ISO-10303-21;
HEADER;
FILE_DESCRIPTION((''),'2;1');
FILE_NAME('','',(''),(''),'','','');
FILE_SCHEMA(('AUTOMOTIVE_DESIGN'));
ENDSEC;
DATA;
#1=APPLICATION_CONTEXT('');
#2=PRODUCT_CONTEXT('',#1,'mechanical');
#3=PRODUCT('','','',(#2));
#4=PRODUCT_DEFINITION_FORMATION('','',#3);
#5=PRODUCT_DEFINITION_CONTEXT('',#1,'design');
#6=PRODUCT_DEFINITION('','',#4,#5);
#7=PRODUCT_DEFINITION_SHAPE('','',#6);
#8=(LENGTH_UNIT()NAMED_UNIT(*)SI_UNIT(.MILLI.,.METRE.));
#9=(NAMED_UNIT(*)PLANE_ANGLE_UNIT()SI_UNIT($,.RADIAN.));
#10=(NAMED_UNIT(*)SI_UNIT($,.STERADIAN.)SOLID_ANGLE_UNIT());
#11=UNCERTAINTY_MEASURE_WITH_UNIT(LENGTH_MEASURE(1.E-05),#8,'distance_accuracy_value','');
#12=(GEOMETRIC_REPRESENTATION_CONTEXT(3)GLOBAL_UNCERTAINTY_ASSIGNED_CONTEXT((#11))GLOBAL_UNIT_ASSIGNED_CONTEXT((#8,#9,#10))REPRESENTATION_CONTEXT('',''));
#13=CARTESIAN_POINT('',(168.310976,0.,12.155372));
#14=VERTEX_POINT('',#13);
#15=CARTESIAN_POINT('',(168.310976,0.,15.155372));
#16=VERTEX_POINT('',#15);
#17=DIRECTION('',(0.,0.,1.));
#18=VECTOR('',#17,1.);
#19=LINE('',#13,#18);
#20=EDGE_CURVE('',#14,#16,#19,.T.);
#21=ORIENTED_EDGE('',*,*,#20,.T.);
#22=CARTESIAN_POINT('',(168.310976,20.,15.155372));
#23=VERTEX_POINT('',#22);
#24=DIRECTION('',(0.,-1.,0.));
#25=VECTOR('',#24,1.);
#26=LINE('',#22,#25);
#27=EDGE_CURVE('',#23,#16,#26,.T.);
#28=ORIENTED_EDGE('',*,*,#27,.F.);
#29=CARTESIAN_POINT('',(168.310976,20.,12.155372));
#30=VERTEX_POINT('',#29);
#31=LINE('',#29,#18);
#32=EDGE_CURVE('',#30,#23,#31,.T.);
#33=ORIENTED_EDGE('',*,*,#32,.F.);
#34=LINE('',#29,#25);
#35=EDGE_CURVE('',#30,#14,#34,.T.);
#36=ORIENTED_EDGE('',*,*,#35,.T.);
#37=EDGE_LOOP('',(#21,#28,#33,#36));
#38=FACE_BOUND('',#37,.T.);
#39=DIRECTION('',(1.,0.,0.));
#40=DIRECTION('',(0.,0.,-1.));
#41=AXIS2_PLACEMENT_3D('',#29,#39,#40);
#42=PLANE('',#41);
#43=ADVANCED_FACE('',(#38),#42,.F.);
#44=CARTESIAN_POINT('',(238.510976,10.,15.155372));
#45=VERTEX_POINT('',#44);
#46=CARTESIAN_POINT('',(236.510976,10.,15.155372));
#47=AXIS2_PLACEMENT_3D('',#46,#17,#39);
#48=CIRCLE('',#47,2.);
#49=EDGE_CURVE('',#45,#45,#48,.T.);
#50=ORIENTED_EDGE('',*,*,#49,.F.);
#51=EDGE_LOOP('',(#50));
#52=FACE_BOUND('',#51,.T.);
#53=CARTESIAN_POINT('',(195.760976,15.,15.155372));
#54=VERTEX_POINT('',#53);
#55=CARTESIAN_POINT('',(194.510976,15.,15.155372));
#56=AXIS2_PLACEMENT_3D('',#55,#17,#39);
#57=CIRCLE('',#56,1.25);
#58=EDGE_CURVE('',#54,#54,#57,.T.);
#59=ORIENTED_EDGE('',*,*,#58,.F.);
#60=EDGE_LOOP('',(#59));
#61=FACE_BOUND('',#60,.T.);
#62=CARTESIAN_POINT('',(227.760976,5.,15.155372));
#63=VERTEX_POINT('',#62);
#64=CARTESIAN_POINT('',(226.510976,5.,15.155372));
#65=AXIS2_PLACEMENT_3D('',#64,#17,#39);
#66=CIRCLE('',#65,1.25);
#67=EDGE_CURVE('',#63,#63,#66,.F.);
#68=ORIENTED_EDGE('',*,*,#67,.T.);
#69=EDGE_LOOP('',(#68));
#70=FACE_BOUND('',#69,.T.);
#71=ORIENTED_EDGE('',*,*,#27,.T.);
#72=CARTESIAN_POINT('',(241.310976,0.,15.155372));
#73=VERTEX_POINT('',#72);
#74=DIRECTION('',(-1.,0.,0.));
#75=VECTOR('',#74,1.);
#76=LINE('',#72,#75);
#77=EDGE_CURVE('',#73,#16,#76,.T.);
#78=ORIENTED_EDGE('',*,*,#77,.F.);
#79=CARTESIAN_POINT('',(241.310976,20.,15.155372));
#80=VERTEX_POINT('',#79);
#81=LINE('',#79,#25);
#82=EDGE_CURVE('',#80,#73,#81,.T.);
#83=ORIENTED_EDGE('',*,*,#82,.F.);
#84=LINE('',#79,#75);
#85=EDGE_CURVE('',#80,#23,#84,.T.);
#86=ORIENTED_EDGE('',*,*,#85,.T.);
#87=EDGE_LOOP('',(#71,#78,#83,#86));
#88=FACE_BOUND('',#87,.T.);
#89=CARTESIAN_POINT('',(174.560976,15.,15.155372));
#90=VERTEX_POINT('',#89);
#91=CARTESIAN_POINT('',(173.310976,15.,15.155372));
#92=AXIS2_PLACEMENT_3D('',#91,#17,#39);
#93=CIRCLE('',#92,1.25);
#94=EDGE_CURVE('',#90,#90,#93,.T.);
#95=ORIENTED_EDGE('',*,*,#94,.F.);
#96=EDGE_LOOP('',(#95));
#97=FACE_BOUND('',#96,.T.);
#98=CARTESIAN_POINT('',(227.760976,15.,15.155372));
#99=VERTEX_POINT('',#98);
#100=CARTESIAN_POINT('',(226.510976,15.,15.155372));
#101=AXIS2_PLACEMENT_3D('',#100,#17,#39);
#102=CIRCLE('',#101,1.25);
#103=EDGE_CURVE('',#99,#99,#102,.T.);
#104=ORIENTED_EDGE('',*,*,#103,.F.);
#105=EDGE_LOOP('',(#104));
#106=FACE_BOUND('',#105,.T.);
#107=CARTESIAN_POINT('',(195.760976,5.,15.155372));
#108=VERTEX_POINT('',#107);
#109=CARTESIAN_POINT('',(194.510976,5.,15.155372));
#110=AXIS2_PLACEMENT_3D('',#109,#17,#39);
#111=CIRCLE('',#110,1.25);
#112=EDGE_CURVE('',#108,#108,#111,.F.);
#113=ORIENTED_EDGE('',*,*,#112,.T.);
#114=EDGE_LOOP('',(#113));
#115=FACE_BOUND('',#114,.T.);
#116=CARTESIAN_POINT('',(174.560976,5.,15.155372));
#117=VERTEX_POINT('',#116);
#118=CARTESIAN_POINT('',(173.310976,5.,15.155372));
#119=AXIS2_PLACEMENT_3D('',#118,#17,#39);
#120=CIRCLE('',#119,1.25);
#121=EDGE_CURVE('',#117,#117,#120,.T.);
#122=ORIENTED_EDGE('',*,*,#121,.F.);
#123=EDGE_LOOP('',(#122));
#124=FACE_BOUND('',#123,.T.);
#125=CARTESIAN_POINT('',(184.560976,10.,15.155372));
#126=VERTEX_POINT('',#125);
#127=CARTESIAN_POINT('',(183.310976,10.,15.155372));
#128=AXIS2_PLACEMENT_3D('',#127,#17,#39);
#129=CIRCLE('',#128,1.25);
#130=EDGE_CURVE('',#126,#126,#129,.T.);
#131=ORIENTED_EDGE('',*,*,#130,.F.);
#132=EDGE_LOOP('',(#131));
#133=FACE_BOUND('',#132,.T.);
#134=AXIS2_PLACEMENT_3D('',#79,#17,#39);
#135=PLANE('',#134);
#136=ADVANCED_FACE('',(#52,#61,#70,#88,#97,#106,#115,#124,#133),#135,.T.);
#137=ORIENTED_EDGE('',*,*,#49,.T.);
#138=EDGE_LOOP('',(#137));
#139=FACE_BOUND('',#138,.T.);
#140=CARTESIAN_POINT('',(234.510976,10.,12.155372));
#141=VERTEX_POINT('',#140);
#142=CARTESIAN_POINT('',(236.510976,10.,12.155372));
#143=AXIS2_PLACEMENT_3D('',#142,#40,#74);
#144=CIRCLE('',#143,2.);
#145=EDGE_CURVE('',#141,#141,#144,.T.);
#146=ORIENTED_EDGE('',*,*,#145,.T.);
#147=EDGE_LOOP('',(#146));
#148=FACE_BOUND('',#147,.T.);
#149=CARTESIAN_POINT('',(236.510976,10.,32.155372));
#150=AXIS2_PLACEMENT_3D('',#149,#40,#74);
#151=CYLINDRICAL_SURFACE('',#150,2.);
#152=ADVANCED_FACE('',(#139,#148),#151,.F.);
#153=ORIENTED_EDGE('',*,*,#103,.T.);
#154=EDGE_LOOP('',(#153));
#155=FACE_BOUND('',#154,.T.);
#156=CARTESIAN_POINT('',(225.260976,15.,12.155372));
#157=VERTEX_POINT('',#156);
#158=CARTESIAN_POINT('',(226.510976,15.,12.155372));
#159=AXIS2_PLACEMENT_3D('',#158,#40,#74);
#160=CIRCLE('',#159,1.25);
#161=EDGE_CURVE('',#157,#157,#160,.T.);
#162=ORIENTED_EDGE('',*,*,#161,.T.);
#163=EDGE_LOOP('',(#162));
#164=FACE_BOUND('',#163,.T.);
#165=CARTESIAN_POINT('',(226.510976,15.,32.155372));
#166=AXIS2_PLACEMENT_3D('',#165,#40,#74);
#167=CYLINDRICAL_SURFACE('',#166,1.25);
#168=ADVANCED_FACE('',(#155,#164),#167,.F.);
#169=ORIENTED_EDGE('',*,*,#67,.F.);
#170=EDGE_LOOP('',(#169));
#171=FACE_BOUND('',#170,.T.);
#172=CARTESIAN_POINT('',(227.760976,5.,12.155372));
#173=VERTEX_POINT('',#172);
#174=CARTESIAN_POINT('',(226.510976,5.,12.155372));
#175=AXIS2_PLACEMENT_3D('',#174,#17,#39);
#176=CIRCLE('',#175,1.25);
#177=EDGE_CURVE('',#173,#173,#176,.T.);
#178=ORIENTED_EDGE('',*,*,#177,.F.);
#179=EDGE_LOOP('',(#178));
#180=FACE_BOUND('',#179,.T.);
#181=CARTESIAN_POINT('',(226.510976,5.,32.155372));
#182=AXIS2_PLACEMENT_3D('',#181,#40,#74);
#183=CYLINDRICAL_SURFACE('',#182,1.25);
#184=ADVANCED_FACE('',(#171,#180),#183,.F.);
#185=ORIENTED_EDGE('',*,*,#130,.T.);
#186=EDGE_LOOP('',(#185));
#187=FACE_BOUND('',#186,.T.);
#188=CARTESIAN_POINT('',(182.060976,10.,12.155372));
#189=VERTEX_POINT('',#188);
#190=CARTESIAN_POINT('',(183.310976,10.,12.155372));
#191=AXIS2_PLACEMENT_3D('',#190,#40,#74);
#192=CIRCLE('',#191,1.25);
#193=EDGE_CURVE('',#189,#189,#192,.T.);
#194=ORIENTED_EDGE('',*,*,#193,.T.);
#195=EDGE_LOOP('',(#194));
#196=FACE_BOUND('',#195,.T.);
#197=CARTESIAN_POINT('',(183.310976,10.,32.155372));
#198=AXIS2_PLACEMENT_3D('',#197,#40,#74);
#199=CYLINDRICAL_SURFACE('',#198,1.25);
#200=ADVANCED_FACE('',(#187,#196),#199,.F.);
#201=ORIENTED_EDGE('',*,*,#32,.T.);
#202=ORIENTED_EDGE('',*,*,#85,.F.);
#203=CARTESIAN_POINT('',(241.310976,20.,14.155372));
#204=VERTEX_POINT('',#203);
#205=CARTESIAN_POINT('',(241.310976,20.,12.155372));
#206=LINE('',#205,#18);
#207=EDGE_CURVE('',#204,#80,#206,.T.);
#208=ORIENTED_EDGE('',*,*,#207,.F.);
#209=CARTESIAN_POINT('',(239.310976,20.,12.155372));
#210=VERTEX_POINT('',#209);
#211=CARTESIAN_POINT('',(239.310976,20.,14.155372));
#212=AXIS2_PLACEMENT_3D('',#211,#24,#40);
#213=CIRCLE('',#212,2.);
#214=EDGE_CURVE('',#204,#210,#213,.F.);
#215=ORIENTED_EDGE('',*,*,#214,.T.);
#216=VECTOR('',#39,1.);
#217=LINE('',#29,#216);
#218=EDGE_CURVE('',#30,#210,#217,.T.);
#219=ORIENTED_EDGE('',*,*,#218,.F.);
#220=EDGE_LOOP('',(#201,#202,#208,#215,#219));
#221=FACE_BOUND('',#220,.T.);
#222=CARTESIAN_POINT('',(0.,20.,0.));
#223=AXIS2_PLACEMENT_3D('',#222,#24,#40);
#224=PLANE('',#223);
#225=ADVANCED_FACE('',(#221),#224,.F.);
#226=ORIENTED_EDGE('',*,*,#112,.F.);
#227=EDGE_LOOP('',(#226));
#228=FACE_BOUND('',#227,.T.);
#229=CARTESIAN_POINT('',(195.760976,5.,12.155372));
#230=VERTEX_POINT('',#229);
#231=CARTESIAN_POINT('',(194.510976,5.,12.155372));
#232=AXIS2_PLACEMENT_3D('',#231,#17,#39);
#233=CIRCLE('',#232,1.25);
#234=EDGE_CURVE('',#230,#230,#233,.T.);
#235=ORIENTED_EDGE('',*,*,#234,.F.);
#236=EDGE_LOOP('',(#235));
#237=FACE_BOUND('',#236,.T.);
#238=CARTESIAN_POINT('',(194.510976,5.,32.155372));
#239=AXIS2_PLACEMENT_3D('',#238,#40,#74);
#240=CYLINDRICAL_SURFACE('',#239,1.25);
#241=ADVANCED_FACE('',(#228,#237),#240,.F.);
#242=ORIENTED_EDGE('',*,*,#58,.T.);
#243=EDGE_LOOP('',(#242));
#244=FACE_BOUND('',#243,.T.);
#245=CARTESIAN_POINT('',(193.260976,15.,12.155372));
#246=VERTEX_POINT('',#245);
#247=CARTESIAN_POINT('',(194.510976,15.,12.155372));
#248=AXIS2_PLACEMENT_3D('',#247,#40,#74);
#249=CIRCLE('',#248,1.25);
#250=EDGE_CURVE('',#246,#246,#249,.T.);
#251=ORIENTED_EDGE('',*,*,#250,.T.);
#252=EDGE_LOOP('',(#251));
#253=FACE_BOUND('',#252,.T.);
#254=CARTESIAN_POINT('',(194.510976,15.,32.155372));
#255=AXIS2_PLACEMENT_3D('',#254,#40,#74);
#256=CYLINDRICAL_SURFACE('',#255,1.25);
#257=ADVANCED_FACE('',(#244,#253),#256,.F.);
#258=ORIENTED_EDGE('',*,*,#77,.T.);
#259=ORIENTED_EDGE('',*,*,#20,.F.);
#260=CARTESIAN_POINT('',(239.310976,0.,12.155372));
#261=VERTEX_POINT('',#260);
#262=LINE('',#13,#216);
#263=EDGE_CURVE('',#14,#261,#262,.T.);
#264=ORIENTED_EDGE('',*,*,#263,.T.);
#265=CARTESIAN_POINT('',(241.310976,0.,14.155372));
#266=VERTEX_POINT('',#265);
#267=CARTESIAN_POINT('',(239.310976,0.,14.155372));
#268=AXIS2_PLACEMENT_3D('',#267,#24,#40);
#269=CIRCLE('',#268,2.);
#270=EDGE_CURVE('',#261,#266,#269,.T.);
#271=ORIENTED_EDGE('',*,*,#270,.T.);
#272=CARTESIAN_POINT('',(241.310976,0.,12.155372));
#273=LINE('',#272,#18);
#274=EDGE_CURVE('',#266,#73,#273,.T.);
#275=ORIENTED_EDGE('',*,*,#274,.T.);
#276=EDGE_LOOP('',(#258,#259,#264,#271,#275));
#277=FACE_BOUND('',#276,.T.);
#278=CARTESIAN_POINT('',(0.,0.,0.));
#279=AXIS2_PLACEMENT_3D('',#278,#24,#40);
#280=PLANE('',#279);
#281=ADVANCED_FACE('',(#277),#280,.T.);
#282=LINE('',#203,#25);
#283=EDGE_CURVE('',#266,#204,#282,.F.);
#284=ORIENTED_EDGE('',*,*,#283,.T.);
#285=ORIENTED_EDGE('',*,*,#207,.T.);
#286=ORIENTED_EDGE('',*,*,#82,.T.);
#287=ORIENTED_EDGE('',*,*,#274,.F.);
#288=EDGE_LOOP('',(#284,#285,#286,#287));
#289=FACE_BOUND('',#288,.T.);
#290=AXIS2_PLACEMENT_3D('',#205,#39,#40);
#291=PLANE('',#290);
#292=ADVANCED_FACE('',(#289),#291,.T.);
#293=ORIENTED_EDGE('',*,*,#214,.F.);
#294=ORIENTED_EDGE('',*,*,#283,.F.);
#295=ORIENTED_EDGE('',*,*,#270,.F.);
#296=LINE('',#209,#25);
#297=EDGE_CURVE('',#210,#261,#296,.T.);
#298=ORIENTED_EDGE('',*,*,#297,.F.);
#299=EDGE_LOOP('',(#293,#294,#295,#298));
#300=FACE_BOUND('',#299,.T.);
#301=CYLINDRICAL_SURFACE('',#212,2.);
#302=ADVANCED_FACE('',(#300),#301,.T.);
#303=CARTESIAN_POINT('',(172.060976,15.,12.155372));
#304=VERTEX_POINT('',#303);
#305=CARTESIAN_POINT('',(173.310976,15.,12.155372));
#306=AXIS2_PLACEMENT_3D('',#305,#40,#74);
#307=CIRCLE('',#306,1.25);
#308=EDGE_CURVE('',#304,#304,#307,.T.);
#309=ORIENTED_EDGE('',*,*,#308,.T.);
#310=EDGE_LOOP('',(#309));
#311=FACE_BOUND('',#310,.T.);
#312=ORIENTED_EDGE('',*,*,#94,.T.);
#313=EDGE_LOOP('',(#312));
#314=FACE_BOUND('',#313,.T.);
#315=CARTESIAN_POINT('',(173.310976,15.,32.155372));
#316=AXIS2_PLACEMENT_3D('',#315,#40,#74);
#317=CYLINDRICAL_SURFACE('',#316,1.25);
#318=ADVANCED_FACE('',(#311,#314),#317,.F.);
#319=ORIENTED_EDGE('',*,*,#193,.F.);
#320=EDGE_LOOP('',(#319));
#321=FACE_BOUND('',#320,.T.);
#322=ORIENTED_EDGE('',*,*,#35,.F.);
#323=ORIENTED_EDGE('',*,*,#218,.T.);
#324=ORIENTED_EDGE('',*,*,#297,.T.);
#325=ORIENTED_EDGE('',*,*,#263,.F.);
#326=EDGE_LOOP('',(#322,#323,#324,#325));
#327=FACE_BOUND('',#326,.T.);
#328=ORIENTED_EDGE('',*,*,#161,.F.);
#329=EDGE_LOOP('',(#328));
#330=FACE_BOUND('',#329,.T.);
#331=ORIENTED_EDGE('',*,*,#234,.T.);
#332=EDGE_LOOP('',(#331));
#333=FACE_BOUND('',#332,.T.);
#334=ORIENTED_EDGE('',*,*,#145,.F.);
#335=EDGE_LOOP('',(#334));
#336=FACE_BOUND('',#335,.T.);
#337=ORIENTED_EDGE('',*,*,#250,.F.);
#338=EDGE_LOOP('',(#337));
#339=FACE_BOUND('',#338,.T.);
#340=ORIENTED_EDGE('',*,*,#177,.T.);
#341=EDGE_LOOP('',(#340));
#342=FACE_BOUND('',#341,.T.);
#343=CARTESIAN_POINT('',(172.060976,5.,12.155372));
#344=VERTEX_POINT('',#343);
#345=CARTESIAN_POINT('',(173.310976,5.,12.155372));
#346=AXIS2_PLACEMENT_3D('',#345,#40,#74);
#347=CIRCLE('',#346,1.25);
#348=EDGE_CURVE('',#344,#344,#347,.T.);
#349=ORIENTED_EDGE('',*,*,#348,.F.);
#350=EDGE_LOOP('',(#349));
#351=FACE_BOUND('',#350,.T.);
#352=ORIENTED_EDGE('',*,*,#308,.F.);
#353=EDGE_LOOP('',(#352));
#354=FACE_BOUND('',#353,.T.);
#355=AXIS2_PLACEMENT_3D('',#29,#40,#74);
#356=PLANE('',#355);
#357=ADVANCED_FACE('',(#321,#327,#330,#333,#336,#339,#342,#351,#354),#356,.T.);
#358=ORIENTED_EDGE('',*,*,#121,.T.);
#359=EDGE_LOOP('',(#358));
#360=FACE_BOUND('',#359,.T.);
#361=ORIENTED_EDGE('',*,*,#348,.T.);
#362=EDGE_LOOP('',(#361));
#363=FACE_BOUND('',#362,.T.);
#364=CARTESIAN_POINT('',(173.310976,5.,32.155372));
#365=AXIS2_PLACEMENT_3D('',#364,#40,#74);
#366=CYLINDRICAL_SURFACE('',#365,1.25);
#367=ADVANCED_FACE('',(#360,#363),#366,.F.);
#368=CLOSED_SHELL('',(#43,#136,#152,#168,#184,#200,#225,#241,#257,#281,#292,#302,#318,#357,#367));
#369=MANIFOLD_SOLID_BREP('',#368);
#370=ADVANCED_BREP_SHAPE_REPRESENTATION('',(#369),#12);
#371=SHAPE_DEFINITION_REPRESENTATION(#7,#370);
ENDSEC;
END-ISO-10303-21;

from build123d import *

# Parameters (mm, degrees)
SKETCH_1_W          = 73
SKETCH_1_H          = 3
EXTRUDE_1_DEPTH     = 20
SKETCH_2_R          = 1.25
SKETCH_2_R_2        = 2
CUT_EXTRUDE_1_DEPTH = 20
FILLET_1_R          = 2


with BuildPart() as part:
    # Эскиз1 → Бобышка-Вытянуть1 (new body)
    with BuildSketch(Plane(origin=(0, 0, 0), x_dir=(1, 0, 0), z_dir=(0, 1, 0))):
        with Locations((204.810975887, -13.655372437)):
            Rectangle(SKETCH_1_W, SKETCH_1_H)
    extrude(amount=EXTRUDE_1_DEPTH)

    # Эскиз2 → Вырез-Вытянуть1 (cut)
    with BuildSketch(Plane(origin=(0, 0, 12.155372437), x_dir=(-1, 0, 0), z_dir=(0, 0, -1))):
        with Locations((-173.310975887, 15)):
            Circle(SKETCH_2_R)
        with Locations((-183.310975887, 10)):
            Circle(SKETCH_2_R)
        with Locations((-173.310975887, 5)):
            Circle(SKETCH_2_R)
        with Locations((-236.510975887, 10)):
            Circle(SKETCH_2_R_2)
        with Locations((-194.510975887, 15)):
            Circle(SKETCH_2_R)
        with Locations(Location((-194.510975887, 5, 0), (0, 0, 180))):
            Circle(SKETCH_2_R)
        with Locations((-226.510975887, 15)):
            Circle(SKETCH_2_R)
        with Locations(Location((-226.510975887, 5, 0), (0, 0, 180))):
            Circle(SKETCH_2_R)
    extrude(amount=-CUT_EXTRUDE_1_DEPTH, mode=Mode.SUBTRACT)

    # Скругление1
    fillet_1_edges = [part.edges().sort_by_distance(p)[0] for p in [
        (241.310975887, 10, 12.155372437),
    ]]
    fillet(fillet_1_edges, radius=FILLET_1_R)


solid = part.part
